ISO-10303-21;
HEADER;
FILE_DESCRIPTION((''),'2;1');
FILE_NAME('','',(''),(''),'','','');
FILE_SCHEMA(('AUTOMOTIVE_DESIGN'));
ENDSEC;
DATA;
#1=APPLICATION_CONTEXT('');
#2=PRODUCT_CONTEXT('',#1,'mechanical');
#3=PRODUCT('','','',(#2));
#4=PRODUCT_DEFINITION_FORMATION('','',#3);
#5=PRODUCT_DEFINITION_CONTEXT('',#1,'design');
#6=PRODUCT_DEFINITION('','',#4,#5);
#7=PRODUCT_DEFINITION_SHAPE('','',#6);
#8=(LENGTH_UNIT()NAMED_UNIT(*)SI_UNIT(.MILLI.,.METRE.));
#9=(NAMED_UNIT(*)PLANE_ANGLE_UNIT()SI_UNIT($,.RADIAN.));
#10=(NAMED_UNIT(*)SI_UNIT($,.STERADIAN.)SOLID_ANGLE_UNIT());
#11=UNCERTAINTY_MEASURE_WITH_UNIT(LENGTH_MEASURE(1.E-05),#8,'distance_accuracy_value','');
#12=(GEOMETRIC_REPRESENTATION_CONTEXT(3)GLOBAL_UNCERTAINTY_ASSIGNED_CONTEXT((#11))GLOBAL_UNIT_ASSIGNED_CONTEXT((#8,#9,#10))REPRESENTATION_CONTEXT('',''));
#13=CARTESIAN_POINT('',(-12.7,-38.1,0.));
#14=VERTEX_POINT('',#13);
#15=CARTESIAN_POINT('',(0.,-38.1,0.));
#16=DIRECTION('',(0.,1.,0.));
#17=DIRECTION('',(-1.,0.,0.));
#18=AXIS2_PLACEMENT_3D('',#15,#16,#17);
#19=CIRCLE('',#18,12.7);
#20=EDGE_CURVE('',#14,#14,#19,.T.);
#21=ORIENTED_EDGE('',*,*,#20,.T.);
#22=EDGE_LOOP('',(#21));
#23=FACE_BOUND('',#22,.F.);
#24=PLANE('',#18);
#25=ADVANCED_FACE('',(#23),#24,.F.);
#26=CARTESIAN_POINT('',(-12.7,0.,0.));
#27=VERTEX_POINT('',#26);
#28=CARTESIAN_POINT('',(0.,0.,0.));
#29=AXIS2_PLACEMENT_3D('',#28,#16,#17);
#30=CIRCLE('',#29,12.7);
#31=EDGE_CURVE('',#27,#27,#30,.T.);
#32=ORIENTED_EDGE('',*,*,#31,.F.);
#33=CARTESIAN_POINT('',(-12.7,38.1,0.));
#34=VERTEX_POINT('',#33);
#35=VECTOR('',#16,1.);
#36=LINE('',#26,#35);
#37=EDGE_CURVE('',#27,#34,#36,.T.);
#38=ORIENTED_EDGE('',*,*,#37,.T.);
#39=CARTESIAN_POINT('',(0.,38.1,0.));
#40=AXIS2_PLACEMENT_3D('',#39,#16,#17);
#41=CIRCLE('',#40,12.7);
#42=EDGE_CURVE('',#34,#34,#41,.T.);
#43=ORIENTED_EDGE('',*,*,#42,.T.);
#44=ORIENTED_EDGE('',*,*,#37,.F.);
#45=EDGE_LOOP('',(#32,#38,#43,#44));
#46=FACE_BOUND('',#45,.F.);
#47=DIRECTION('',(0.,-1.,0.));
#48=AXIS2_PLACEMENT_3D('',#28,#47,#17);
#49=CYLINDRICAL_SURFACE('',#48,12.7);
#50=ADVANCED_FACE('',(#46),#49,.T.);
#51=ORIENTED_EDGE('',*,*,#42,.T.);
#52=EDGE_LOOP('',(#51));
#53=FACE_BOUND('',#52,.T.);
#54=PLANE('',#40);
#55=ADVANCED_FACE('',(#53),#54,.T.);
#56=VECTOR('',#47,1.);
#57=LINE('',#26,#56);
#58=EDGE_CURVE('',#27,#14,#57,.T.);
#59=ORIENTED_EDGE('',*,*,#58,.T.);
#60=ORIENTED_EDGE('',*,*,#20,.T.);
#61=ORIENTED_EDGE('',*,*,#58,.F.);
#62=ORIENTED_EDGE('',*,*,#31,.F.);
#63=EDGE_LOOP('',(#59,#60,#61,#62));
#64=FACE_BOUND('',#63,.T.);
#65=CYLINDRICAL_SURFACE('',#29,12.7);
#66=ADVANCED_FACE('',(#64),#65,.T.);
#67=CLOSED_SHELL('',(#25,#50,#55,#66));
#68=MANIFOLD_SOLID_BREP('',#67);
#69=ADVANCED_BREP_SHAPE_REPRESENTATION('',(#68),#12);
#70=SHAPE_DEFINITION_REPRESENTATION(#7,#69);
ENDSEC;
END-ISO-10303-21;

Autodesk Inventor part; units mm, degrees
ref_plane "YZ Plane" through (0, 0, 0) normal (1, 0, 0) x (0, 1, 0)
ref_plane "XZ Plane" through (0, 0, 0) normal (0, 1, 0) x (-1, 0, 0)
ref_plane "XY Plane" through (0, 0, 0) normal (0, 0, 1) x (1, 0, 0)
sketch "Sketch1" plane through (0, 0, 0) normal (0, 1, 0) x (-1, 0, 0)
  circle A0 centre (0, 0) radius 12.7
  dimension "d0" = 25.4
extrude "Extrusion1" add sketch "Sketch1" along normal mid plane 76.2
properties part number "azimuthPost"
